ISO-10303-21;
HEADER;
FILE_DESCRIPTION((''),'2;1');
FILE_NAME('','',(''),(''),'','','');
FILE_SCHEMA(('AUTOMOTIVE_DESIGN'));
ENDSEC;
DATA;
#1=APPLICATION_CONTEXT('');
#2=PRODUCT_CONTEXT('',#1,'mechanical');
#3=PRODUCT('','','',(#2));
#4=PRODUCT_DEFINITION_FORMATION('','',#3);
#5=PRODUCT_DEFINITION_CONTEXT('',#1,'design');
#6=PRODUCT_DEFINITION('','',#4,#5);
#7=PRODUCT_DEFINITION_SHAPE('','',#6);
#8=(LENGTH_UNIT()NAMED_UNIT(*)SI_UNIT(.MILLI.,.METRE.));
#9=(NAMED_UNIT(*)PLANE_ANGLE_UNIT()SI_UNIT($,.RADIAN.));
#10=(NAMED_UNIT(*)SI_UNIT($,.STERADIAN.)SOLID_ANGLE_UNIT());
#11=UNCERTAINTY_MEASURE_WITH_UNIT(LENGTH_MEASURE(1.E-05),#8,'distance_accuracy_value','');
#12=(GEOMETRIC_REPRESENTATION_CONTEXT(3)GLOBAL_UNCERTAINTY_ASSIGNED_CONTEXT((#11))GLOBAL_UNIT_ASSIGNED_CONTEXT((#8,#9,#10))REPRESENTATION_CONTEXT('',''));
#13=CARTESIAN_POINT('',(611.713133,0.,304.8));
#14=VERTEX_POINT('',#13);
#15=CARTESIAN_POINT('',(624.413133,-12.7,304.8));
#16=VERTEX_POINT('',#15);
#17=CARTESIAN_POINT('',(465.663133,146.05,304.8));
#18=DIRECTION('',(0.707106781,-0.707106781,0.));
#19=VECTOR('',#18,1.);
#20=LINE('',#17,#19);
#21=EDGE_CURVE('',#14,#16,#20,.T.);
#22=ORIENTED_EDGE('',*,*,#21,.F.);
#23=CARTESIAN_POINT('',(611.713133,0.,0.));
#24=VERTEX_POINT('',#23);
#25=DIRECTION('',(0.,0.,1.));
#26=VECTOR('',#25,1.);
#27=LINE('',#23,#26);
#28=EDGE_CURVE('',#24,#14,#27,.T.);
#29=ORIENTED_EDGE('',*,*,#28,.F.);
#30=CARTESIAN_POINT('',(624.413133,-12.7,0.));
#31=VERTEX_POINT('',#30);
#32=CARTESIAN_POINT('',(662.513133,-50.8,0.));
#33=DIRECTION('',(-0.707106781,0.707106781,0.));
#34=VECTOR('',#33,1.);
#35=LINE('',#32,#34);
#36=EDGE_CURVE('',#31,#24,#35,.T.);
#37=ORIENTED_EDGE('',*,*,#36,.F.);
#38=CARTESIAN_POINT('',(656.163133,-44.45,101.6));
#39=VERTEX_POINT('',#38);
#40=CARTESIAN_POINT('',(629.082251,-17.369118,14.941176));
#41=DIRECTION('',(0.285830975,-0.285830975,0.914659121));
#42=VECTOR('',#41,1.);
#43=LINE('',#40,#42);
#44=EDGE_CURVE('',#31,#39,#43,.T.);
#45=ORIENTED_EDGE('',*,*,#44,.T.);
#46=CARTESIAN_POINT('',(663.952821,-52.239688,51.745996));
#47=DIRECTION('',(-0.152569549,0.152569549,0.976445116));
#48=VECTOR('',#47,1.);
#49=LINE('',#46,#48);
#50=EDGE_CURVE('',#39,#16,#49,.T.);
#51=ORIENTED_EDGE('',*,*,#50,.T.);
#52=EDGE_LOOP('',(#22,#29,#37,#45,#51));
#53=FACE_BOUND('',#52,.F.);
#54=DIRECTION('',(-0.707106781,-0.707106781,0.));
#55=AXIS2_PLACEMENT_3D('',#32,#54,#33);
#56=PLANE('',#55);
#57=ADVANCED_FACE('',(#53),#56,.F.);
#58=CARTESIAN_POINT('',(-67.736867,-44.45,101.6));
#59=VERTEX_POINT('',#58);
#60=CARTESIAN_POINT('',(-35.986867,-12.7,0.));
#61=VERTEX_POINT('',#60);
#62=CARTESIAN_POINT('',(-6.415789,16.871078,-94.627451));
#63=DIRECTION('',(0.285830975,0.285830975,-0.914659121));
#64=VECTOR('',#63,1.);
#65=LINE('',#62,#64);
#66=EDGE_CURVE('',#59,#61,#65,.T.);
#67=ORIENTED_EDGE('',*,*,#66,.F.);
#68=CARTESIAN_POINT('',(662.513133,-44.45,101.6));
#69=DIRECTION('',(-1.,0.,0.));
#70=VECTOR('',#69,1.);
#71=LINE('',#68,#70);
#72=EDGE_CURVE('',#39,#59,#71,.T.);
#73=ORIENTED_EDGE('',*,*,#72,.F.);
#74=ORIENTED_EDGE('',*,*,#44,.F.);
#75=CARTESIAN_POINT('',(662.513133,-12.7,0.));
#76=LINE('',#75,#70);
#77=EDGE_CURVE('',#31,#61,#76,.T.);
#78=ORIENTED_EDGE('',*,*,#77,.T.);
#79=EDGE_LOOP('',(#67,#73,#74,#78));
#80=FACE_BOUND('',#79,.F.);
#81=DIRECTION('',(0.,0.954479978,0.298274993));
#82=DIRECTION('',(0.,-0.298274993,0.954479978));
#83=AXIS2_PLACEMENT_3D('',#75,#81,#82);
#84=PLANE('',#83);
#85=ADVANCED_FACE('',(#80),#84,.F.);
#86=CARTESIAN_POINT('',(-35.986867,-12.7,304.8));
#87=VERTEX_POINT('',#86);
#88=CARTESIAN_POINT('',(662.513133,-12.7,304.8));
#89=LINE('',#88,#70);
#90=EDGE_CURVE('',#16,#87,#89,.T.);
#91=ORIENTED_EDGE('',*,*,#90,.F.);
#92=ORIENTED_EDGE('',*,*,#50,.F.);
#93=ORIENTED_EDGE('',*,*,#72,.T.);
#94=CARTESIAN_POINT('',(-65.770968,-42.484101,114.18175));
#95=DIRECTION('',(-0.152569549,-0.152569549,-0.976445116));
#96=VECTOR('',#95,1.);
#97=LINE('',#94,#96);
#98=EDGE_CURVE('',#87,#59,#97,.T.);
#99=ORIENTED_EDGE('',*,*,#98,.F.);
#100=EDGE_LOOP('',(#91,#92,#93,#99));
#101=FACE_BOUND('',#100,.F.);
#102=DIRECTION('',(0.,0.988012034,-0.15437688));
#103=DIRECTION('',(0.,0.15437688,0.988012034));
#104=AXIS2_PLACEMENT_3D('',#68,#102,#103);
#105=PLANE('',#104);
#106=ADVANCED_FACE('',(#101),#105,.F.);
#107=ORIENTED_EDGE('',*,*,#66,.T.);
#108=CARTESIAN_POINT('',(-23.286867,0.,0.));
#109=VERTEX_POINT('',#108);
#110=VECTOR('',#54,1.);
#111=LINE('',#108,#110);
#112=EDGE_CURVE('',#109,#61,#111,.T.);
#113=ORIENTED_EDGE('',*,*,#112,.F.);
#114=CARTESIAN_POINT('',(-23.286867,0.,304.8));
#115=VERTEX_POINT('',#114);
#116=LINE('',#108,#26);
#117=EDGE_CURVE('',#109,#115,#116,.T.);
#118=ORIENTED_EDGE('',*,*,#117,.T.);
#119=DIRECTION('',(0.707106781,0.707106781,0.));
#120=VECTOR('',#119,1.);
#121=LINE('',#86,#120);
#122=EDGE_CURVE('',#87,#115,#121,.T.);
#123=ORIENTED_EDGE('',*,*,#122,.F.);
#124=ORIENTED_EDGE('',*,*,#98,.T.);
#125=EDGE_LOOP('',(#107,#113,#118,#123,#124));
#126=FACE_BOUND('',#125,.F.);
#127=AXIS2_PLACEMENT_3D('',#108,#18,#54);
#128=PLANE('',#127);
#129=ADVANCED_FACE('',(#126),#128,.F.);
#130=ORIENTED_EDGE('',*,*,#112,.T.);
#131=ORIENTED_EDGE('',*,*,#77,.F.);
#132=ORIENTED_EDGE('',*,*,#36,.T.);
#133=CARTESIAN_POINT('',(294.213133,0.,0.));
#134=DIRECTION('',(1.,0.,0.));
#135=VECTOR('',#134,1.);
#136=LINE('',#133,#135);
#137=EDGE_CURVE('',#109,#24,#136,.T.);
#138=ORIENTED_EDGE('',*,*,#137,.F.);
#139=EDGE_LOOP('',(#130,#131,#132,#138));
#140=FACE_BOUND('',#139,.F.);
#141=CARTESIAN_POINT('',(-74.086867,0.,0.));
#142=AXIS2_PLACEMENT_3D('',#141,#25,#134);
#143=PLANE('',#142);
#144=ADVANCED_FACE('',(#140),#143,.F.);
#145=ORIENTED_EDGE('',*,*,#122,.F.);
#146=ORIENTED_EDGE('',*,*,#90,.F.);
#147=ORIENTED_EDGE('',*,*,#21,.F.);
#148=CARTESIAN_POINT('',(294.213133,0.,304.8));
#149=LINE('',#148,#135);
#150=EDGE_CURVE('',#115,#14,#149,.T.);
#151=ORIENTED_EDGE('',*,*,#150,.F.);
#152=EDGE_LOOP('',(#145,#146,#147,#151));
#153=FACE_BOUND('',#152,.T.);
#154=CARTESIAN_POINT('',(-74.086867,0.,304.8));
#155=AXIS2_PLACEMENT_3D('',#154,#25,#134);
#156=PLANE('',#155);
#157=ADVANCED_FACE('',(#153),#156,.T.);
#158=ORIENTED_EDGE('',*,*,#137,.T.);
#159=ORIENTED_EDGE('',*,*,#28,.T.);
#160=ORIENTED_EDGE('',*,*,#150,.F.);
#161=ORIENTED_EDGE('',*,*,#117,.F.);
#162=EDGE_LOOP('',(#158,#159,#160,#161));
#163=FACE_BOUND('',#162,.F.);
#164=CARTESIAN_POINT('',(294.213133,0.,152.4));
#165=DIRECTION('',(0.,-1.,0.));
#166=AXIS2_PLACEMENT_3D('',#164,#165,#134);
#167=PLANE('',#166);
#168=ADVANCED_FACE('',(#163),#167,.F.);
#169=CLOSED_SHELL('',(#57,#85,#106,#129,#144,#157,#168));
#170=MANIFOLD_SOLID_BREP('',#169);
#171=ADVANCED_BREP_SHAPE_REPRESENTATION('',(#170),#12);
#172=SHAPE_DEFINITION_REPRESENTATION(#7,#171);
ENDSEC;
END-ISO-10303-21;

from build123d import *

# Parameters (mm, degrees)
F0_W     = 736.6
F0_H     = 304.8
F1_DEPTH = 44.45
F3_DEPTH = 736.601
F5_DEPTH = 304.801


with BuildPart() as f1:
    # F0 (on Front) → F1 (new body)
    with BuildSketch(Plane.XZ):
        with Locations((294.213133, 152.4)):
            Rectangle(F0_W, F0_H)
    extrude(amount=F1_DEPTH)

    # F2 (on face) → F3 (cut, through all)
    with BuildSketch(Plane.YZ.offset(662.513133)):
        Polygon((-44.45, 101.6), (-12.7, 304.8), (-82.839599, 304.8), (-82.839599, 0), (-12.7, 0), align=None)
    extrude(amount=-F3_DEPTH, mode=Mode.SUBTRACT)

    # F4 (on face) → F5 (cut, through all)
    with BuildSketch(Plane(origin=(0, 0, 0), x_dir=(1, 0, 0), z_dir=(0, 0, -1))):
        Polygon((662.513133, 0), (662.513133, 50.8), (611.713133, 0), align=None)
        Polygon((-23.286867, 0), (-74.086867, 50.8), (-74.086867, 0), align=None)
    extrude(amount=-F5_DEPTH, mode=Mode.SUBTRACT)


solid = f1.part
